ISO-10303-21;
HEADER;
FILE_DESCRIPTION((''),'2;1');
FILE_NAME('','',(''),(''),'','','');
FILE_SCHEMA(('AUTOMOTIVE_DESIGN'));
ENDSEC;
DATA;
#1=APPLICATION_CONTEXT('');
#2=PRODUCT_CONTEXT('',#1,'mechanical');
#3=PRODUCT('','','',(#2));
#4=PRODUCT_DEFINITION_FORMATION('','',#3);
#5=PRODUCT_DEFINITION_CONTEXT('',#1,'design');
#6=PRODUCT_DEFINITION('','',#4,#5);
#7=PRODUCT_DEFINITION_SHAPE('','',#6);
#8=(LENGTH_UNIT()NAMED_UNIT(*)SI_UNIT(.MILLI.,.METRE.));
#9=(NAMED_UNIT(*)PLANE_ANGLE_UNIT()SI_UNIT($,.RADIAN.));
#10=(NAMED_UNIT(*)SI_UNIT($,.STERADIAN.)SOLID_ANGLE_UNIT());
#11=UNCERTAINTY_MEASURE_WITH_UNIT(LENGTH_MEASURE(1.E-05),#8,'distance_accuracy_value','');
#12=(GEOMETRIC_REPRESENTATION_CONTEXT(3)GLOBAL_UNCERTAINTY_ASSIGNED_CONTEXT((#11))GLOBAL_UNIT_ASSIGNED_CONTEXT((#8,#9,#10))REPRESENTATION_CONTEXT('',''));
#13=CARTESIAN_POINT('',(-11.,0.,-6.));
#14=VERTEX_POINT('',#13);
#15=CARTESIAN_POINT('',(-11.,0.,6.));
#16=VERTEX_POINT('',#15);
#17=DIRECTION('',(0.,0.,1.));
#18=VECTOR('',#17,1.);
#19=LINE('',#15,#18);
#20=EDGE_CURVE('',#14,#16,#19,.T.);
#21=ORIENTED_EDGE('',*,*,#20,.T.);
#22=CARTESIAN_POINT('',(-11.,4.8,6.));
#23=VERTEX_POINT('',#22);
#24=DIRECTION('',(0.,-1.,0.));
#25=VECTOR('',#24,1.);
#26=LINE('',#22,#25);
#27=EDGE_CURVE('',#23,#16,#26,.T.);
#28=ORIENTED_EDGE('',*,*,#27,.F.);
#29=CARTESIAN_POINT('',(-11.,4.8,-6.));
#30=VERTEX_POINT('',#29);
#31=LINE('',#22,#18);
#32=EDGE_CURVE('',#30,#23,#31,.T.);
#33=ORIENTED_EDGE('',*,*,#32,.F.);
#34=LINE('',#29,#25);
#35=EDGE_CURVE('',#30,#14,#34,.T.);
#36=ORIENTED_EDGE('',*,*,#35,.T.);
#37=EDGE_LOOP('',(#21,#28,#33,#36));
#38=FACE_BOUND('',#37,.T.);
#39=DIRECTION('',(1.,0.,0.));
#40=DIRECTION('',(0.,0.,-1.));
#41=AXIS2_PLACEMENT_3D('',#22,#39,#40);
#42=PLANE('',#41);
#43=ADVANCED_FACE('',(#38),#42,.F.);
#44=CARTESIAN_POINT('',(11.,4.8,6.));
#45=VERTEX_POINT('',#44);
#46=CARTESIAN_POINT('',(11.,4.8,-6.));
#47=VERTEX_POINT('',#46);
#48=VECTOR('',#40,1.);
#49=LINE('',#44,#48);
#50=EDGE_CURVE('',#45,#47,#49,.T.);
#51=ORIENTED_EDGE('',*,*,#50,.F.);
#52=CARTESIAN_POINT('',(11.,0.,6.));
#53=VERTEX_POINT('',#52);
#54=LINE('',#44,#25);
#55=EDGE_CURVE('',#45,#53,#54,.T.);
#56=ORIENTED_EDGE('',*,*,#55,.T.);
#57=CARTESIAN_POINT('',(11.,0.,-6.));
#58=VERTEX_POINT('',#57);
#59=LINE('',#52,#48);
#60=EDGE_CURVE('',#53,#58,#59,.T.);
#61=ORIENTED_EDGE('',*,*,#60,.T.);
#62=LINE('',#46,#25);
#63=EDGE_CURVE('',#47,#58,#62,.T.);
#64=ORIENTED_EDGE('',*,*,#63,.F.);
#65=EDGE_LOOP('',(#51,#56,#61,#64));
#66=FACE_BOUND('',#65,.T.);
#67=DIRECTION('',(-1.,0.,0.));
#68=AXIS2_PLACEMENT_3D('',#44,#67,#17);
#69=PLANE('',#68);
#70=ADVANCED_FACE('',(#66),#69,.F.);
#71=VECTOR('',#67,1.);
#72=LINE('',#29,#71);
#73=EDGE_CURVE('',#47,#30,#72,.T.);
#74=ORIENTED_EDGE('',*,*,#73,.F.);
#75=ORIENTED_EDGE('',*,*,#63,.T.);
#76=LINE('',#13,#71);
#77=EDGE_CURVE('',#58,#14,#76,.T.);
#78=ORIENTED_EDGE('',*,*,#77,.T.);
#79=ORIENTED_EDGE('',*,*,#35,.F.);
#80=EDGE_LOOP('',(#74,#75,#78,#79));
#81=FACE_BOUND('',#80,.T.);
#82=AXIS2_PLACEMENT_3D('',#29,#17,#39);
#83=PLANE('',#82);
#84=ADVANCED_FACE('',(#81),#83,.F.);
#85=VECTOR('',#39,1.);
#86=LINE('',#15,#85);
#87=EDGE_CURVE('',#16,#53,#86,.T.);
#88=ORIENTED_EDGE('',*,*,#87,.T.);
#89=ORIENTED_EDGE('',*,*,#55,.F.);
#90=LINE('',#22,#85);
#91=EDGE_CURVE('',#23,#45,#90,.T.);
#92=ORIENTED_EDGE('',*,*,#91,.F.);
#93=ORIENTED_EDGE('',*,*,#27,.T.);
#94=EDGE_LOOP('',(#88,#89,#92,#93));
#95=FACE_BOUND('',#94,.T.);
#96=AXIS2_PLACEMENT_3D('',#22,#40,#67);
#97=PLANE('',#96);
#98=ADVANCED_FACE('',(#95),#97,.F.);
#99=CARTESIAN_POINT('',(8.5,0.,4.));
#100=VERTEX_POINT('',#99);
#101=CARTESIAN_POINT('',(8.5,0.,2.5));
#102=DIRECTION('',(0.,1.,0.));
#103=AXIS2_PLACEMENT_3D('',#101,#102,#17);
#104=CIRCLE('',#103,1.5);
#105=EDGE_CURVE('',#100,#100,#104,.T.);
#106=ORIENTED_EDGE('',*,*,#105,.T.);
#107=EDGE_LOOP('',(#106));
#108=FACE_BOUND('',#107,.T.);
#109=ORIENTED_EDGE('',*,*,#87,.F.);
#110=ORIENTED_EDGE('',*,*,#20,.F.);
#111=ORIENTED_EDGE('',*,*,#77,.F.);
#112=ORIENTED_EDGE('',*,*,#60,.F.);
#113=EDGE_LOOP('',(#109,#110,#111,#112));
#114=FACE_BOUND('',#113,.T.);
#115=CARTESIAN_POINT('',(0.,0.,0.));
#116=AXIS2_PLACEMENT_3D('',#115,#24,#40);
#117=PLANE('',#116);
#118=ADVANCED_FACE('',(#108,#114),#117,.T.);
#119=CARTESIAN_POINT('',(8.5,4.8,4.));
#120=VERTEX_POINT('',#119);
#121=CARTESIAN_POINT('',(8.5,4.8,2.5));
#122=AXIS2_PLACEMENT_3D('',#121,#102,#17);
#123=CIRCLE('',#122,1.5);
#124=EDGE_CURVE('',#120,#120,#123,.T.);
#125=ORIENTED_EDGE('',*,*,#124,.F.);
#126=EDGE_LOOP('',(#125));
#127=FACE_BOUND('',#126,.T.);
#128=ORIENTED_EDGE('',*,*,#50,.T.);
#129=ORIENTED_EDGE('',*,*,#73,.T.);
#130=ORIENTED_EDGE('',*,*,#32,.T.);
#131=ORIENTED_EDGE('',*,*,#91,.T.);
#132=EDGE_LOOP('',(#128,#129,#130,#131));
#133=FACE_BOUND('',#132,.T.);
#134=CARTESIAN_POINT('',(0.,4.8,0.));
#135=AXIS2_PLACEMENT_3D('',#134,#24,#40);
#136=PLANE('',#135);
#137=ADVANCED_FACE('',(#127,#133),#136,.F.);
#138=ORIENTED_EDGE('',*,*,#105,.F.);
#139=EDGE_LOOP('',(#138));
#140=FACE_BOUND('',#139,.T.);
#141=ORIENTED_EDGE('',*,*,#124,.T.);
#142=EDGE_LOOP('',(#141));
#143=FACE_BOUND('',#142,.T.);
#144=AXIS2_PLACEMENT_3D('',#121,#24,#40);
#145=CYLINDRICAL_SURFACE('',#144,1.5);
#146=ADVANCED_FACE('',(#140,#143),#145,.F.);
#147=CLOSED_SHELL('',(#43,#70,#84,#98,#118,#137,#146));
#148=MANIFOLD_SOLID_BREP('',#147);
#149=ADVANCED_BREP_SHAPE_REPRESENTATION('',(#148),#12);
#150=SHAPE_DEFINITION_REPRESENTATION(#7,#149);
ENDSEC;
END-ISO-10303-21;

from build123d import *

# Parameters (mm, degrees)
SKETCH1_W           = 22
SKETCH1_H           = 12
SKETCH1_R           = 1.5
BOSS_EXTRUDE1_DEPTH = 4.8


with BuildPart() as part:
    # Sketch1 → Boss-Extrude1 (new body)
    with BuildSketch(Plane(origin=(0, 0, 0), x_dir=(1, 0, 0), z_dir=(0, 1, 0))):
        Rectangle(SKETCH1_W, SKETCH1_H)
        with Locations(Location((8.5, -2.5, 0), (0, 0, 270))):
            Circle(SKETCH1_R, mode=Mode.SUBTRACT)
    extrude(amount=BOSS_EXTRUDE1_DEPTH)


solid = part.part
